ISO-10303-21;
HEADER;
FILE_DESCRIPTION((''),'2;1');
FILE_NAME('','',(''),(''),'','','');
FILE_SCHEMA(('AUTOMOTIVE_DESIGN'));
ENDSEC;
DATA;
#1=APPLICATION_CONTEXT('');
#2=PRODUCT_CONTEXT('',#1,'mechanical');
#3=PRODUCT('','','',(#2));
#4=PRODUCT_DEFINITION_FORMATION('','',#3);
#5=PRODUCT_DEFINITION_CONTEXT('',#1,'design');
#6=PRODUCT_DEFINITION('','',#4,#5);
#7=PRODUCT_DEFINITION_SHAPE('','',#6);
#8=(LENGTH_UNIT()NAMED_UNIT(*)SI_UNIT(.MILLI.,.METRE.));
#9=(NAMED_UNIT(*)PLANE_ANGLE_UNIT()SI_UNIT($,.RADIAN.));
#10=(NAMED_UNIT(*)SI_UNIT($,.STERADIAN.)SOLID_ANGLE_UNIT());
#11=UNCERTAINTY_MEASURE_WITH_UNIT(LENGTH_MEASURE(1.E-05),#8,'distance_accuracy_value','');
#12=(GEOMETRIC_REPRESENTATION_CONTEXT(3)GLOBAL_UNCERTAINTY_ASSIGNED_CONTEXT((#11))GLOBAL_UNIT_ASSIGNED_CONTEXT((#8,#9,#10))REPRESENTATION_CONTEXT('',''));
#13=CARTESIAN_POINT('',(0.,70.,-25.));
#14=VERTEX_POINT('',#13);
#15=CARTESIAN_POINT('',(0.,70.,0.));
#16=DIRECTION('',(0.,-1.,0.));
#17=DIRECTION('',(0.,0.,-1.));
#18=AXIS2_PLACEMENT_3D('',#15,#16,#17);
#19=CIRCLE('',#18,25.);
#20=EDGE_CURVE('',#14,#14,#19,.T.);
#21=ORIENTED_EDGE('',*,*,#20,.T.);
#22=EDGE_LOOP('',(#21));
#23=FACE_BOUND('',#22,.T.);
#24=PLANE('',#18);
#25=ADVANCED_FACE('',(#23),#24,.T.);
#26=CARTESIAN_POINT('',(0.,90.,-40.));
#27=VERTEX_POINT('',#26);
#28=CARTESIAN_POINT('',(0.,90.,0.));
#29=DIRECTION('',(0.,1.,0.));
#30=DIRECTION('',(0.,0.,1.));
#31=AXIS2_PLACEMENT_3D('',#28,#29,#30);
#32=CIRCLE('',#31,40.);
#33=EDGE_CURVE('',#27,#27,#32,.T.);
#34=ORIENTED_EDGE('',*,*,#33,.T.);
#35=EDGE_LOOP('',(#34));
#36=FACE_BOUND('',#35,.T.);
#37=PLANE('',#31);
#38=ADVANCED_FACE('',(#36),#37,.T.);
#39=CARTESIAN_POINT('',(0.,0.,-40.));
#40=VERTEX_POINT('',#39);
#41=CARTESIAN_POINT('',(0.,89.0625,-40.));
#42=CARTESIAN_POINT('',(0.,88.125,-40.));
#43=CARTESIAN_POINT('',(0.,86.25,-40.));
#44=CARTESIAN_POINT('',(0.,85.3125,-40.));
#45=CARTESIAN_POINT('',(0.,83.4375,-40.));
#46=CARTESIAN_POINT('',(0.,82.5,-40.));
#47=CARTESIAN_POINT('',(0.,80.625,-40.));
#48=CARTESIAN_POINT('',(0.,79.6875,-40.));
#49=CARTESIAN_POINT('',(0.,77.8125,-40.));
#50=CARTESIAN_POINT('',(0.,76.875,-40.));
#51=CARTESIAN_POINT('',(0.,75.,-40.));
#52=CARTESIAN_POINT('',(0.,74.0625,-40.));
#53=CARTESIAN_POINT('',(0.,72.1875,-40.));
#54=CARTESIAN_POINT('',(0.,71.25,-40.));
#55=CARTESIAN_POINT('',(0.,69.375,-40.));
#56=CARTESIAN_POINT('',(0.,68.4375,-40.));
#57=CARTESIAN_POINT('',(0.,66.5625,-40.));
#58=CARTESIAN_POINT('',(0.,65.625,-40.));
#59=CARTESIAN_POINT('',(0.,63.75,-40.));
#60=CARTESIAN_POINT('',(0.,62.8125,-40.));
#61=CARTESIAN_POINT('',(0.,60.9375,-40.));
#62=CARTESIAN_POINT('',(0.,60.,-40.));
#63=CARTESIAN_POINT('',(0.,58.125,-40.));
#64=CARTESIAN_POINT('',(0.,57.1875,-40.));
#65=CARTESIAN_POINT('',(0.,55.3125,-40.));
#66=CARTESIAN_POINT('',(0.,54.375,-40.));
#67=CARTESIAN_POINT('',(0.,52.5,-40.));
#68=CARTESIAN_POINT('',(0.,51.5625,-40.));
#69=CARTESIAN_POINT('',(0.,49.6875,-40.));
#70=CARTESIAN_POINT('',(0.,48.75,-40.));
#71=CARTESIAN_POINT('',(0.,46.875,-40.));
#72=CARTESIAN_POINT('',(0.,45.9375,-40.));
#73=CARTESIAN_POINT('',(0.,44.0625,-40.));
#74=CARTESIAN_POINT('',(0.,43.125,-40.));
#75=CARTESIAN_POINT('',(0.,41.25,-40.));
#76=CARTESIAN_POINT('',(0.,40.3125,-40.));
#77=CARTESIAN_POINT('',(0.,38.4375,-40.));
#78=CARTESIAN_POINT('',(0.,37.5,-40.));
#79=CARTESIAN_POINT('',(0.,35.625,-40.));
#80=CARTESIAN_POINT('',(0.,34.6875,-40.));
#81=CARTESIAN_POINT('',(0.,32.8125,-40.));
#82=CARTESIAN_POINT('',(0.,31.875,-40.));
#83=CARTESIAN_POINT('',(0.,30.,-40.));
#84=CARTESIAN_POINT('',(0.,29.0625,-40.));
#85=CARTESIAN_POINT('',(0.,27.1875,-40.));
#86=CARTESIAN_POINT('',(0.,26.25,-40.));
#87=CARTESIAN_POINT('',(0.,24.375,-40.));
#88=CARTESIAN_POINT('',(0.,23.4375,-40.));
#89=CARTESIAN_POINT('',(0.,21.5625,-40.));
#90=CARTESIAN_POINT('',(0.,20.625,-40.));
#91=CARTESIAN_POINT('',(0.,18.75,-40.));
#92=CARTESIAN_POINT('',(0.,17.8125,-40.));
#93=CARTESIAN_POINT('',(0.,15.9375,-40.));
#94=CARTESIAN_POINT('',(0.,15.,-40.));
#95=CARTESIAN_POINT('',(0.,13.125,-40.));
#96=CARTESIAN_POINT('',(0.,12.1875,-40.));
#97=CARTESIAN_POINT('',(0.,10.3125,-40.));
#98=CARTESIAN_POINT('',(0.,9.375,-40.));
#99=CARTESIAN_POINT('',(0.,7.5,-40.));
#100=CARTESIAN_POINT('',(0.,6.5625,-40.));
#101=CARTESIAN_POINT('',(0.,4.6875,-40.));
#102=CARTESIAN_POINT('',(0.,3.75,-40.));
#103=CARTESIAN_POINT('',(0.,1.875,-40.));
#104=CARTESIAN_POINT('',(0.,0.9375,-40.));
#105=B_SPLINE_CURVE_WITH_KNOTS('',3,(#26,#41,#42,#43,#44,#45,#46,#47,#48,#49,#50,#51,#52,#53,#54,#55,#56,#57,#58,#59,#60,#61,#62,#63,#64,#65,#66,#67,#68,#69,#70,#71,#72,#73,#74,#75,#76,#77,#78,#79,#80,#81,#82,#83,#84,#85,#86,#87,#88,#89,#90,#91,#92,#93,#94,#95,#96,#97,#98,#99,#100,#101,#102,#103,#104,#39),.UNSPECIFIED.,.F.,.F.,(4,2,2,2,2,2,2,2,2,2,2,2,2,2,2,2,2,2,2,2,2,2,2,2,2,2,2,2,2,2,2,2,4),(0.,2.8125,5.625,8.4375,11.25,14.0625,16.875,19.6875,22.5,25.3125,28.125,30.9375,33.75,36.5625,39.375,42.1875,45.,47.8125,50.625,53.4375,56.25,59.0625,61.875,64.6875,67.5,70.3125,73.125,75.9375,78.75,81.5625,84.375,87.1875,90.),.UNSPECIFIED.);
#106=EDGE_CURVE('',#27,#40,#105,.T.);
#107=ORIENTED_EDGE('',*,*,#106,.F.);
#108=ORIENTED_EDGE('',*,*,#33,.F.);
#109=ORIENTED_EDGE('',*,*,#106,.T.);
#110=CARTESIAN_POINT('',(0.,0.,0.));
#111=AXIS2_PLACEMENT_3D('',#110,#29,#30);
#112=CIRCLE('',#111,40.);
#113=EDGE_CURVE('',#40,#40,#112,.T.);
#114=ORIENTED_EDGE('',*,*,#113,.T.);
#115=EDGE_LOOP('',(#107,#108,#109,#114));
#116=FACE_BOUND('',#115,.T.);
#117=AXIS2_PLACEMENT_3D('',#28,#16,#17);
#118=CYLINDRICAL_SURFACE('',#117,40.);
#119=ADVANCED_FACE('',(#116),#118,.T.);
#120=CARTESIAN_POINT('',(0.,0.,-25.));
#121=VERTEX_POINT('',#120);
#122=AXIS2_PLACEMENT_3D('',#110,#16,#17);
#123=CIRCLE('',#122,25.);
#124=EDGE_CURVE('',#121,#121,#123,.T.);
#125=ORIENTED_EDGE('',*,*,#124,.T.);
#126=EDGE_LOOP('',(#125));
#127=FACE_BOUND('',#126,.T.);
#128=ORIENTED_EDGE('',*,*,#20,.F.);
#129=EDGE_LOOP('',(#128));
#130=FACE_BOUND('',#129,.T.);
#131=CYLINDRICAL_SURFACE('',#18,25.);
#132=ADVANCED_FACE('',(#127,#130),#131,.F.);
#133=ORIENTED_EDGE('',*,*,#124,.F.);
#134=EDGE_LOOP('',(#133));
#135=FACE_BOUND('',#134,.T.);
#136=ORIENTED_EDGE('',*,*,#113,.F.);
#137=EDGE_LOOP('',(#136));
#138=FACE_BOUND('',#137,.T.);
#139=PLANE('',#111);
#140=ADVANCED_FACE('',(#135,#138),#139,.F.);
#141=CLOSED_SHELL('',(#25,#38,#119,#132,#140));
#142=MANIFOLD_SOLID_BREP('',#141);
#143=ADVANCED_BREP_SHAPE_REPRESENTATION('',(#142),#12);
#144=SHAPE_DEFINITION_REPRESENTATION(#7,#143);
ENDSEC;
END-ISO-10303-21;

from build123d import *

# Parameters (mm, degrees)
ESQUISSE2_R             = 40
BOSS_EXTRU_1_DEPTH      = 90
ESQUISSE3_R             = 25
ENL_V_MAT_EXTRU_1_DEPTH = 70


with BuildPart() as part:
    # Esquisse2 → Boss.-Extru.1 (new body)
    with BuildSketch(Plane(origin=(0, 0, 0), x_dir=(1, 0, 0), z_dir=(0, 1, 0))):
        with Locations(Location((0, 0, 0), (0, 0, 90))):
            Circle(ESQUISSE2_R)
    extrude(amount=BOSS_EXTRU_1_DEPTH)

    # Esquisse3 → Enlèv. mat.-Extru.1 (cut)
    with BuildSketch(Plane.XZ):
        with Locations(Location((0, 0, 0), (0, 0, 270))):
            Circle(ESQUISSE3_R)
    extrude(amount=-ENL_V_MAT_EXTRU_1_DEPTH, mode=Mode.SUBTRACT)


solid = part.part
